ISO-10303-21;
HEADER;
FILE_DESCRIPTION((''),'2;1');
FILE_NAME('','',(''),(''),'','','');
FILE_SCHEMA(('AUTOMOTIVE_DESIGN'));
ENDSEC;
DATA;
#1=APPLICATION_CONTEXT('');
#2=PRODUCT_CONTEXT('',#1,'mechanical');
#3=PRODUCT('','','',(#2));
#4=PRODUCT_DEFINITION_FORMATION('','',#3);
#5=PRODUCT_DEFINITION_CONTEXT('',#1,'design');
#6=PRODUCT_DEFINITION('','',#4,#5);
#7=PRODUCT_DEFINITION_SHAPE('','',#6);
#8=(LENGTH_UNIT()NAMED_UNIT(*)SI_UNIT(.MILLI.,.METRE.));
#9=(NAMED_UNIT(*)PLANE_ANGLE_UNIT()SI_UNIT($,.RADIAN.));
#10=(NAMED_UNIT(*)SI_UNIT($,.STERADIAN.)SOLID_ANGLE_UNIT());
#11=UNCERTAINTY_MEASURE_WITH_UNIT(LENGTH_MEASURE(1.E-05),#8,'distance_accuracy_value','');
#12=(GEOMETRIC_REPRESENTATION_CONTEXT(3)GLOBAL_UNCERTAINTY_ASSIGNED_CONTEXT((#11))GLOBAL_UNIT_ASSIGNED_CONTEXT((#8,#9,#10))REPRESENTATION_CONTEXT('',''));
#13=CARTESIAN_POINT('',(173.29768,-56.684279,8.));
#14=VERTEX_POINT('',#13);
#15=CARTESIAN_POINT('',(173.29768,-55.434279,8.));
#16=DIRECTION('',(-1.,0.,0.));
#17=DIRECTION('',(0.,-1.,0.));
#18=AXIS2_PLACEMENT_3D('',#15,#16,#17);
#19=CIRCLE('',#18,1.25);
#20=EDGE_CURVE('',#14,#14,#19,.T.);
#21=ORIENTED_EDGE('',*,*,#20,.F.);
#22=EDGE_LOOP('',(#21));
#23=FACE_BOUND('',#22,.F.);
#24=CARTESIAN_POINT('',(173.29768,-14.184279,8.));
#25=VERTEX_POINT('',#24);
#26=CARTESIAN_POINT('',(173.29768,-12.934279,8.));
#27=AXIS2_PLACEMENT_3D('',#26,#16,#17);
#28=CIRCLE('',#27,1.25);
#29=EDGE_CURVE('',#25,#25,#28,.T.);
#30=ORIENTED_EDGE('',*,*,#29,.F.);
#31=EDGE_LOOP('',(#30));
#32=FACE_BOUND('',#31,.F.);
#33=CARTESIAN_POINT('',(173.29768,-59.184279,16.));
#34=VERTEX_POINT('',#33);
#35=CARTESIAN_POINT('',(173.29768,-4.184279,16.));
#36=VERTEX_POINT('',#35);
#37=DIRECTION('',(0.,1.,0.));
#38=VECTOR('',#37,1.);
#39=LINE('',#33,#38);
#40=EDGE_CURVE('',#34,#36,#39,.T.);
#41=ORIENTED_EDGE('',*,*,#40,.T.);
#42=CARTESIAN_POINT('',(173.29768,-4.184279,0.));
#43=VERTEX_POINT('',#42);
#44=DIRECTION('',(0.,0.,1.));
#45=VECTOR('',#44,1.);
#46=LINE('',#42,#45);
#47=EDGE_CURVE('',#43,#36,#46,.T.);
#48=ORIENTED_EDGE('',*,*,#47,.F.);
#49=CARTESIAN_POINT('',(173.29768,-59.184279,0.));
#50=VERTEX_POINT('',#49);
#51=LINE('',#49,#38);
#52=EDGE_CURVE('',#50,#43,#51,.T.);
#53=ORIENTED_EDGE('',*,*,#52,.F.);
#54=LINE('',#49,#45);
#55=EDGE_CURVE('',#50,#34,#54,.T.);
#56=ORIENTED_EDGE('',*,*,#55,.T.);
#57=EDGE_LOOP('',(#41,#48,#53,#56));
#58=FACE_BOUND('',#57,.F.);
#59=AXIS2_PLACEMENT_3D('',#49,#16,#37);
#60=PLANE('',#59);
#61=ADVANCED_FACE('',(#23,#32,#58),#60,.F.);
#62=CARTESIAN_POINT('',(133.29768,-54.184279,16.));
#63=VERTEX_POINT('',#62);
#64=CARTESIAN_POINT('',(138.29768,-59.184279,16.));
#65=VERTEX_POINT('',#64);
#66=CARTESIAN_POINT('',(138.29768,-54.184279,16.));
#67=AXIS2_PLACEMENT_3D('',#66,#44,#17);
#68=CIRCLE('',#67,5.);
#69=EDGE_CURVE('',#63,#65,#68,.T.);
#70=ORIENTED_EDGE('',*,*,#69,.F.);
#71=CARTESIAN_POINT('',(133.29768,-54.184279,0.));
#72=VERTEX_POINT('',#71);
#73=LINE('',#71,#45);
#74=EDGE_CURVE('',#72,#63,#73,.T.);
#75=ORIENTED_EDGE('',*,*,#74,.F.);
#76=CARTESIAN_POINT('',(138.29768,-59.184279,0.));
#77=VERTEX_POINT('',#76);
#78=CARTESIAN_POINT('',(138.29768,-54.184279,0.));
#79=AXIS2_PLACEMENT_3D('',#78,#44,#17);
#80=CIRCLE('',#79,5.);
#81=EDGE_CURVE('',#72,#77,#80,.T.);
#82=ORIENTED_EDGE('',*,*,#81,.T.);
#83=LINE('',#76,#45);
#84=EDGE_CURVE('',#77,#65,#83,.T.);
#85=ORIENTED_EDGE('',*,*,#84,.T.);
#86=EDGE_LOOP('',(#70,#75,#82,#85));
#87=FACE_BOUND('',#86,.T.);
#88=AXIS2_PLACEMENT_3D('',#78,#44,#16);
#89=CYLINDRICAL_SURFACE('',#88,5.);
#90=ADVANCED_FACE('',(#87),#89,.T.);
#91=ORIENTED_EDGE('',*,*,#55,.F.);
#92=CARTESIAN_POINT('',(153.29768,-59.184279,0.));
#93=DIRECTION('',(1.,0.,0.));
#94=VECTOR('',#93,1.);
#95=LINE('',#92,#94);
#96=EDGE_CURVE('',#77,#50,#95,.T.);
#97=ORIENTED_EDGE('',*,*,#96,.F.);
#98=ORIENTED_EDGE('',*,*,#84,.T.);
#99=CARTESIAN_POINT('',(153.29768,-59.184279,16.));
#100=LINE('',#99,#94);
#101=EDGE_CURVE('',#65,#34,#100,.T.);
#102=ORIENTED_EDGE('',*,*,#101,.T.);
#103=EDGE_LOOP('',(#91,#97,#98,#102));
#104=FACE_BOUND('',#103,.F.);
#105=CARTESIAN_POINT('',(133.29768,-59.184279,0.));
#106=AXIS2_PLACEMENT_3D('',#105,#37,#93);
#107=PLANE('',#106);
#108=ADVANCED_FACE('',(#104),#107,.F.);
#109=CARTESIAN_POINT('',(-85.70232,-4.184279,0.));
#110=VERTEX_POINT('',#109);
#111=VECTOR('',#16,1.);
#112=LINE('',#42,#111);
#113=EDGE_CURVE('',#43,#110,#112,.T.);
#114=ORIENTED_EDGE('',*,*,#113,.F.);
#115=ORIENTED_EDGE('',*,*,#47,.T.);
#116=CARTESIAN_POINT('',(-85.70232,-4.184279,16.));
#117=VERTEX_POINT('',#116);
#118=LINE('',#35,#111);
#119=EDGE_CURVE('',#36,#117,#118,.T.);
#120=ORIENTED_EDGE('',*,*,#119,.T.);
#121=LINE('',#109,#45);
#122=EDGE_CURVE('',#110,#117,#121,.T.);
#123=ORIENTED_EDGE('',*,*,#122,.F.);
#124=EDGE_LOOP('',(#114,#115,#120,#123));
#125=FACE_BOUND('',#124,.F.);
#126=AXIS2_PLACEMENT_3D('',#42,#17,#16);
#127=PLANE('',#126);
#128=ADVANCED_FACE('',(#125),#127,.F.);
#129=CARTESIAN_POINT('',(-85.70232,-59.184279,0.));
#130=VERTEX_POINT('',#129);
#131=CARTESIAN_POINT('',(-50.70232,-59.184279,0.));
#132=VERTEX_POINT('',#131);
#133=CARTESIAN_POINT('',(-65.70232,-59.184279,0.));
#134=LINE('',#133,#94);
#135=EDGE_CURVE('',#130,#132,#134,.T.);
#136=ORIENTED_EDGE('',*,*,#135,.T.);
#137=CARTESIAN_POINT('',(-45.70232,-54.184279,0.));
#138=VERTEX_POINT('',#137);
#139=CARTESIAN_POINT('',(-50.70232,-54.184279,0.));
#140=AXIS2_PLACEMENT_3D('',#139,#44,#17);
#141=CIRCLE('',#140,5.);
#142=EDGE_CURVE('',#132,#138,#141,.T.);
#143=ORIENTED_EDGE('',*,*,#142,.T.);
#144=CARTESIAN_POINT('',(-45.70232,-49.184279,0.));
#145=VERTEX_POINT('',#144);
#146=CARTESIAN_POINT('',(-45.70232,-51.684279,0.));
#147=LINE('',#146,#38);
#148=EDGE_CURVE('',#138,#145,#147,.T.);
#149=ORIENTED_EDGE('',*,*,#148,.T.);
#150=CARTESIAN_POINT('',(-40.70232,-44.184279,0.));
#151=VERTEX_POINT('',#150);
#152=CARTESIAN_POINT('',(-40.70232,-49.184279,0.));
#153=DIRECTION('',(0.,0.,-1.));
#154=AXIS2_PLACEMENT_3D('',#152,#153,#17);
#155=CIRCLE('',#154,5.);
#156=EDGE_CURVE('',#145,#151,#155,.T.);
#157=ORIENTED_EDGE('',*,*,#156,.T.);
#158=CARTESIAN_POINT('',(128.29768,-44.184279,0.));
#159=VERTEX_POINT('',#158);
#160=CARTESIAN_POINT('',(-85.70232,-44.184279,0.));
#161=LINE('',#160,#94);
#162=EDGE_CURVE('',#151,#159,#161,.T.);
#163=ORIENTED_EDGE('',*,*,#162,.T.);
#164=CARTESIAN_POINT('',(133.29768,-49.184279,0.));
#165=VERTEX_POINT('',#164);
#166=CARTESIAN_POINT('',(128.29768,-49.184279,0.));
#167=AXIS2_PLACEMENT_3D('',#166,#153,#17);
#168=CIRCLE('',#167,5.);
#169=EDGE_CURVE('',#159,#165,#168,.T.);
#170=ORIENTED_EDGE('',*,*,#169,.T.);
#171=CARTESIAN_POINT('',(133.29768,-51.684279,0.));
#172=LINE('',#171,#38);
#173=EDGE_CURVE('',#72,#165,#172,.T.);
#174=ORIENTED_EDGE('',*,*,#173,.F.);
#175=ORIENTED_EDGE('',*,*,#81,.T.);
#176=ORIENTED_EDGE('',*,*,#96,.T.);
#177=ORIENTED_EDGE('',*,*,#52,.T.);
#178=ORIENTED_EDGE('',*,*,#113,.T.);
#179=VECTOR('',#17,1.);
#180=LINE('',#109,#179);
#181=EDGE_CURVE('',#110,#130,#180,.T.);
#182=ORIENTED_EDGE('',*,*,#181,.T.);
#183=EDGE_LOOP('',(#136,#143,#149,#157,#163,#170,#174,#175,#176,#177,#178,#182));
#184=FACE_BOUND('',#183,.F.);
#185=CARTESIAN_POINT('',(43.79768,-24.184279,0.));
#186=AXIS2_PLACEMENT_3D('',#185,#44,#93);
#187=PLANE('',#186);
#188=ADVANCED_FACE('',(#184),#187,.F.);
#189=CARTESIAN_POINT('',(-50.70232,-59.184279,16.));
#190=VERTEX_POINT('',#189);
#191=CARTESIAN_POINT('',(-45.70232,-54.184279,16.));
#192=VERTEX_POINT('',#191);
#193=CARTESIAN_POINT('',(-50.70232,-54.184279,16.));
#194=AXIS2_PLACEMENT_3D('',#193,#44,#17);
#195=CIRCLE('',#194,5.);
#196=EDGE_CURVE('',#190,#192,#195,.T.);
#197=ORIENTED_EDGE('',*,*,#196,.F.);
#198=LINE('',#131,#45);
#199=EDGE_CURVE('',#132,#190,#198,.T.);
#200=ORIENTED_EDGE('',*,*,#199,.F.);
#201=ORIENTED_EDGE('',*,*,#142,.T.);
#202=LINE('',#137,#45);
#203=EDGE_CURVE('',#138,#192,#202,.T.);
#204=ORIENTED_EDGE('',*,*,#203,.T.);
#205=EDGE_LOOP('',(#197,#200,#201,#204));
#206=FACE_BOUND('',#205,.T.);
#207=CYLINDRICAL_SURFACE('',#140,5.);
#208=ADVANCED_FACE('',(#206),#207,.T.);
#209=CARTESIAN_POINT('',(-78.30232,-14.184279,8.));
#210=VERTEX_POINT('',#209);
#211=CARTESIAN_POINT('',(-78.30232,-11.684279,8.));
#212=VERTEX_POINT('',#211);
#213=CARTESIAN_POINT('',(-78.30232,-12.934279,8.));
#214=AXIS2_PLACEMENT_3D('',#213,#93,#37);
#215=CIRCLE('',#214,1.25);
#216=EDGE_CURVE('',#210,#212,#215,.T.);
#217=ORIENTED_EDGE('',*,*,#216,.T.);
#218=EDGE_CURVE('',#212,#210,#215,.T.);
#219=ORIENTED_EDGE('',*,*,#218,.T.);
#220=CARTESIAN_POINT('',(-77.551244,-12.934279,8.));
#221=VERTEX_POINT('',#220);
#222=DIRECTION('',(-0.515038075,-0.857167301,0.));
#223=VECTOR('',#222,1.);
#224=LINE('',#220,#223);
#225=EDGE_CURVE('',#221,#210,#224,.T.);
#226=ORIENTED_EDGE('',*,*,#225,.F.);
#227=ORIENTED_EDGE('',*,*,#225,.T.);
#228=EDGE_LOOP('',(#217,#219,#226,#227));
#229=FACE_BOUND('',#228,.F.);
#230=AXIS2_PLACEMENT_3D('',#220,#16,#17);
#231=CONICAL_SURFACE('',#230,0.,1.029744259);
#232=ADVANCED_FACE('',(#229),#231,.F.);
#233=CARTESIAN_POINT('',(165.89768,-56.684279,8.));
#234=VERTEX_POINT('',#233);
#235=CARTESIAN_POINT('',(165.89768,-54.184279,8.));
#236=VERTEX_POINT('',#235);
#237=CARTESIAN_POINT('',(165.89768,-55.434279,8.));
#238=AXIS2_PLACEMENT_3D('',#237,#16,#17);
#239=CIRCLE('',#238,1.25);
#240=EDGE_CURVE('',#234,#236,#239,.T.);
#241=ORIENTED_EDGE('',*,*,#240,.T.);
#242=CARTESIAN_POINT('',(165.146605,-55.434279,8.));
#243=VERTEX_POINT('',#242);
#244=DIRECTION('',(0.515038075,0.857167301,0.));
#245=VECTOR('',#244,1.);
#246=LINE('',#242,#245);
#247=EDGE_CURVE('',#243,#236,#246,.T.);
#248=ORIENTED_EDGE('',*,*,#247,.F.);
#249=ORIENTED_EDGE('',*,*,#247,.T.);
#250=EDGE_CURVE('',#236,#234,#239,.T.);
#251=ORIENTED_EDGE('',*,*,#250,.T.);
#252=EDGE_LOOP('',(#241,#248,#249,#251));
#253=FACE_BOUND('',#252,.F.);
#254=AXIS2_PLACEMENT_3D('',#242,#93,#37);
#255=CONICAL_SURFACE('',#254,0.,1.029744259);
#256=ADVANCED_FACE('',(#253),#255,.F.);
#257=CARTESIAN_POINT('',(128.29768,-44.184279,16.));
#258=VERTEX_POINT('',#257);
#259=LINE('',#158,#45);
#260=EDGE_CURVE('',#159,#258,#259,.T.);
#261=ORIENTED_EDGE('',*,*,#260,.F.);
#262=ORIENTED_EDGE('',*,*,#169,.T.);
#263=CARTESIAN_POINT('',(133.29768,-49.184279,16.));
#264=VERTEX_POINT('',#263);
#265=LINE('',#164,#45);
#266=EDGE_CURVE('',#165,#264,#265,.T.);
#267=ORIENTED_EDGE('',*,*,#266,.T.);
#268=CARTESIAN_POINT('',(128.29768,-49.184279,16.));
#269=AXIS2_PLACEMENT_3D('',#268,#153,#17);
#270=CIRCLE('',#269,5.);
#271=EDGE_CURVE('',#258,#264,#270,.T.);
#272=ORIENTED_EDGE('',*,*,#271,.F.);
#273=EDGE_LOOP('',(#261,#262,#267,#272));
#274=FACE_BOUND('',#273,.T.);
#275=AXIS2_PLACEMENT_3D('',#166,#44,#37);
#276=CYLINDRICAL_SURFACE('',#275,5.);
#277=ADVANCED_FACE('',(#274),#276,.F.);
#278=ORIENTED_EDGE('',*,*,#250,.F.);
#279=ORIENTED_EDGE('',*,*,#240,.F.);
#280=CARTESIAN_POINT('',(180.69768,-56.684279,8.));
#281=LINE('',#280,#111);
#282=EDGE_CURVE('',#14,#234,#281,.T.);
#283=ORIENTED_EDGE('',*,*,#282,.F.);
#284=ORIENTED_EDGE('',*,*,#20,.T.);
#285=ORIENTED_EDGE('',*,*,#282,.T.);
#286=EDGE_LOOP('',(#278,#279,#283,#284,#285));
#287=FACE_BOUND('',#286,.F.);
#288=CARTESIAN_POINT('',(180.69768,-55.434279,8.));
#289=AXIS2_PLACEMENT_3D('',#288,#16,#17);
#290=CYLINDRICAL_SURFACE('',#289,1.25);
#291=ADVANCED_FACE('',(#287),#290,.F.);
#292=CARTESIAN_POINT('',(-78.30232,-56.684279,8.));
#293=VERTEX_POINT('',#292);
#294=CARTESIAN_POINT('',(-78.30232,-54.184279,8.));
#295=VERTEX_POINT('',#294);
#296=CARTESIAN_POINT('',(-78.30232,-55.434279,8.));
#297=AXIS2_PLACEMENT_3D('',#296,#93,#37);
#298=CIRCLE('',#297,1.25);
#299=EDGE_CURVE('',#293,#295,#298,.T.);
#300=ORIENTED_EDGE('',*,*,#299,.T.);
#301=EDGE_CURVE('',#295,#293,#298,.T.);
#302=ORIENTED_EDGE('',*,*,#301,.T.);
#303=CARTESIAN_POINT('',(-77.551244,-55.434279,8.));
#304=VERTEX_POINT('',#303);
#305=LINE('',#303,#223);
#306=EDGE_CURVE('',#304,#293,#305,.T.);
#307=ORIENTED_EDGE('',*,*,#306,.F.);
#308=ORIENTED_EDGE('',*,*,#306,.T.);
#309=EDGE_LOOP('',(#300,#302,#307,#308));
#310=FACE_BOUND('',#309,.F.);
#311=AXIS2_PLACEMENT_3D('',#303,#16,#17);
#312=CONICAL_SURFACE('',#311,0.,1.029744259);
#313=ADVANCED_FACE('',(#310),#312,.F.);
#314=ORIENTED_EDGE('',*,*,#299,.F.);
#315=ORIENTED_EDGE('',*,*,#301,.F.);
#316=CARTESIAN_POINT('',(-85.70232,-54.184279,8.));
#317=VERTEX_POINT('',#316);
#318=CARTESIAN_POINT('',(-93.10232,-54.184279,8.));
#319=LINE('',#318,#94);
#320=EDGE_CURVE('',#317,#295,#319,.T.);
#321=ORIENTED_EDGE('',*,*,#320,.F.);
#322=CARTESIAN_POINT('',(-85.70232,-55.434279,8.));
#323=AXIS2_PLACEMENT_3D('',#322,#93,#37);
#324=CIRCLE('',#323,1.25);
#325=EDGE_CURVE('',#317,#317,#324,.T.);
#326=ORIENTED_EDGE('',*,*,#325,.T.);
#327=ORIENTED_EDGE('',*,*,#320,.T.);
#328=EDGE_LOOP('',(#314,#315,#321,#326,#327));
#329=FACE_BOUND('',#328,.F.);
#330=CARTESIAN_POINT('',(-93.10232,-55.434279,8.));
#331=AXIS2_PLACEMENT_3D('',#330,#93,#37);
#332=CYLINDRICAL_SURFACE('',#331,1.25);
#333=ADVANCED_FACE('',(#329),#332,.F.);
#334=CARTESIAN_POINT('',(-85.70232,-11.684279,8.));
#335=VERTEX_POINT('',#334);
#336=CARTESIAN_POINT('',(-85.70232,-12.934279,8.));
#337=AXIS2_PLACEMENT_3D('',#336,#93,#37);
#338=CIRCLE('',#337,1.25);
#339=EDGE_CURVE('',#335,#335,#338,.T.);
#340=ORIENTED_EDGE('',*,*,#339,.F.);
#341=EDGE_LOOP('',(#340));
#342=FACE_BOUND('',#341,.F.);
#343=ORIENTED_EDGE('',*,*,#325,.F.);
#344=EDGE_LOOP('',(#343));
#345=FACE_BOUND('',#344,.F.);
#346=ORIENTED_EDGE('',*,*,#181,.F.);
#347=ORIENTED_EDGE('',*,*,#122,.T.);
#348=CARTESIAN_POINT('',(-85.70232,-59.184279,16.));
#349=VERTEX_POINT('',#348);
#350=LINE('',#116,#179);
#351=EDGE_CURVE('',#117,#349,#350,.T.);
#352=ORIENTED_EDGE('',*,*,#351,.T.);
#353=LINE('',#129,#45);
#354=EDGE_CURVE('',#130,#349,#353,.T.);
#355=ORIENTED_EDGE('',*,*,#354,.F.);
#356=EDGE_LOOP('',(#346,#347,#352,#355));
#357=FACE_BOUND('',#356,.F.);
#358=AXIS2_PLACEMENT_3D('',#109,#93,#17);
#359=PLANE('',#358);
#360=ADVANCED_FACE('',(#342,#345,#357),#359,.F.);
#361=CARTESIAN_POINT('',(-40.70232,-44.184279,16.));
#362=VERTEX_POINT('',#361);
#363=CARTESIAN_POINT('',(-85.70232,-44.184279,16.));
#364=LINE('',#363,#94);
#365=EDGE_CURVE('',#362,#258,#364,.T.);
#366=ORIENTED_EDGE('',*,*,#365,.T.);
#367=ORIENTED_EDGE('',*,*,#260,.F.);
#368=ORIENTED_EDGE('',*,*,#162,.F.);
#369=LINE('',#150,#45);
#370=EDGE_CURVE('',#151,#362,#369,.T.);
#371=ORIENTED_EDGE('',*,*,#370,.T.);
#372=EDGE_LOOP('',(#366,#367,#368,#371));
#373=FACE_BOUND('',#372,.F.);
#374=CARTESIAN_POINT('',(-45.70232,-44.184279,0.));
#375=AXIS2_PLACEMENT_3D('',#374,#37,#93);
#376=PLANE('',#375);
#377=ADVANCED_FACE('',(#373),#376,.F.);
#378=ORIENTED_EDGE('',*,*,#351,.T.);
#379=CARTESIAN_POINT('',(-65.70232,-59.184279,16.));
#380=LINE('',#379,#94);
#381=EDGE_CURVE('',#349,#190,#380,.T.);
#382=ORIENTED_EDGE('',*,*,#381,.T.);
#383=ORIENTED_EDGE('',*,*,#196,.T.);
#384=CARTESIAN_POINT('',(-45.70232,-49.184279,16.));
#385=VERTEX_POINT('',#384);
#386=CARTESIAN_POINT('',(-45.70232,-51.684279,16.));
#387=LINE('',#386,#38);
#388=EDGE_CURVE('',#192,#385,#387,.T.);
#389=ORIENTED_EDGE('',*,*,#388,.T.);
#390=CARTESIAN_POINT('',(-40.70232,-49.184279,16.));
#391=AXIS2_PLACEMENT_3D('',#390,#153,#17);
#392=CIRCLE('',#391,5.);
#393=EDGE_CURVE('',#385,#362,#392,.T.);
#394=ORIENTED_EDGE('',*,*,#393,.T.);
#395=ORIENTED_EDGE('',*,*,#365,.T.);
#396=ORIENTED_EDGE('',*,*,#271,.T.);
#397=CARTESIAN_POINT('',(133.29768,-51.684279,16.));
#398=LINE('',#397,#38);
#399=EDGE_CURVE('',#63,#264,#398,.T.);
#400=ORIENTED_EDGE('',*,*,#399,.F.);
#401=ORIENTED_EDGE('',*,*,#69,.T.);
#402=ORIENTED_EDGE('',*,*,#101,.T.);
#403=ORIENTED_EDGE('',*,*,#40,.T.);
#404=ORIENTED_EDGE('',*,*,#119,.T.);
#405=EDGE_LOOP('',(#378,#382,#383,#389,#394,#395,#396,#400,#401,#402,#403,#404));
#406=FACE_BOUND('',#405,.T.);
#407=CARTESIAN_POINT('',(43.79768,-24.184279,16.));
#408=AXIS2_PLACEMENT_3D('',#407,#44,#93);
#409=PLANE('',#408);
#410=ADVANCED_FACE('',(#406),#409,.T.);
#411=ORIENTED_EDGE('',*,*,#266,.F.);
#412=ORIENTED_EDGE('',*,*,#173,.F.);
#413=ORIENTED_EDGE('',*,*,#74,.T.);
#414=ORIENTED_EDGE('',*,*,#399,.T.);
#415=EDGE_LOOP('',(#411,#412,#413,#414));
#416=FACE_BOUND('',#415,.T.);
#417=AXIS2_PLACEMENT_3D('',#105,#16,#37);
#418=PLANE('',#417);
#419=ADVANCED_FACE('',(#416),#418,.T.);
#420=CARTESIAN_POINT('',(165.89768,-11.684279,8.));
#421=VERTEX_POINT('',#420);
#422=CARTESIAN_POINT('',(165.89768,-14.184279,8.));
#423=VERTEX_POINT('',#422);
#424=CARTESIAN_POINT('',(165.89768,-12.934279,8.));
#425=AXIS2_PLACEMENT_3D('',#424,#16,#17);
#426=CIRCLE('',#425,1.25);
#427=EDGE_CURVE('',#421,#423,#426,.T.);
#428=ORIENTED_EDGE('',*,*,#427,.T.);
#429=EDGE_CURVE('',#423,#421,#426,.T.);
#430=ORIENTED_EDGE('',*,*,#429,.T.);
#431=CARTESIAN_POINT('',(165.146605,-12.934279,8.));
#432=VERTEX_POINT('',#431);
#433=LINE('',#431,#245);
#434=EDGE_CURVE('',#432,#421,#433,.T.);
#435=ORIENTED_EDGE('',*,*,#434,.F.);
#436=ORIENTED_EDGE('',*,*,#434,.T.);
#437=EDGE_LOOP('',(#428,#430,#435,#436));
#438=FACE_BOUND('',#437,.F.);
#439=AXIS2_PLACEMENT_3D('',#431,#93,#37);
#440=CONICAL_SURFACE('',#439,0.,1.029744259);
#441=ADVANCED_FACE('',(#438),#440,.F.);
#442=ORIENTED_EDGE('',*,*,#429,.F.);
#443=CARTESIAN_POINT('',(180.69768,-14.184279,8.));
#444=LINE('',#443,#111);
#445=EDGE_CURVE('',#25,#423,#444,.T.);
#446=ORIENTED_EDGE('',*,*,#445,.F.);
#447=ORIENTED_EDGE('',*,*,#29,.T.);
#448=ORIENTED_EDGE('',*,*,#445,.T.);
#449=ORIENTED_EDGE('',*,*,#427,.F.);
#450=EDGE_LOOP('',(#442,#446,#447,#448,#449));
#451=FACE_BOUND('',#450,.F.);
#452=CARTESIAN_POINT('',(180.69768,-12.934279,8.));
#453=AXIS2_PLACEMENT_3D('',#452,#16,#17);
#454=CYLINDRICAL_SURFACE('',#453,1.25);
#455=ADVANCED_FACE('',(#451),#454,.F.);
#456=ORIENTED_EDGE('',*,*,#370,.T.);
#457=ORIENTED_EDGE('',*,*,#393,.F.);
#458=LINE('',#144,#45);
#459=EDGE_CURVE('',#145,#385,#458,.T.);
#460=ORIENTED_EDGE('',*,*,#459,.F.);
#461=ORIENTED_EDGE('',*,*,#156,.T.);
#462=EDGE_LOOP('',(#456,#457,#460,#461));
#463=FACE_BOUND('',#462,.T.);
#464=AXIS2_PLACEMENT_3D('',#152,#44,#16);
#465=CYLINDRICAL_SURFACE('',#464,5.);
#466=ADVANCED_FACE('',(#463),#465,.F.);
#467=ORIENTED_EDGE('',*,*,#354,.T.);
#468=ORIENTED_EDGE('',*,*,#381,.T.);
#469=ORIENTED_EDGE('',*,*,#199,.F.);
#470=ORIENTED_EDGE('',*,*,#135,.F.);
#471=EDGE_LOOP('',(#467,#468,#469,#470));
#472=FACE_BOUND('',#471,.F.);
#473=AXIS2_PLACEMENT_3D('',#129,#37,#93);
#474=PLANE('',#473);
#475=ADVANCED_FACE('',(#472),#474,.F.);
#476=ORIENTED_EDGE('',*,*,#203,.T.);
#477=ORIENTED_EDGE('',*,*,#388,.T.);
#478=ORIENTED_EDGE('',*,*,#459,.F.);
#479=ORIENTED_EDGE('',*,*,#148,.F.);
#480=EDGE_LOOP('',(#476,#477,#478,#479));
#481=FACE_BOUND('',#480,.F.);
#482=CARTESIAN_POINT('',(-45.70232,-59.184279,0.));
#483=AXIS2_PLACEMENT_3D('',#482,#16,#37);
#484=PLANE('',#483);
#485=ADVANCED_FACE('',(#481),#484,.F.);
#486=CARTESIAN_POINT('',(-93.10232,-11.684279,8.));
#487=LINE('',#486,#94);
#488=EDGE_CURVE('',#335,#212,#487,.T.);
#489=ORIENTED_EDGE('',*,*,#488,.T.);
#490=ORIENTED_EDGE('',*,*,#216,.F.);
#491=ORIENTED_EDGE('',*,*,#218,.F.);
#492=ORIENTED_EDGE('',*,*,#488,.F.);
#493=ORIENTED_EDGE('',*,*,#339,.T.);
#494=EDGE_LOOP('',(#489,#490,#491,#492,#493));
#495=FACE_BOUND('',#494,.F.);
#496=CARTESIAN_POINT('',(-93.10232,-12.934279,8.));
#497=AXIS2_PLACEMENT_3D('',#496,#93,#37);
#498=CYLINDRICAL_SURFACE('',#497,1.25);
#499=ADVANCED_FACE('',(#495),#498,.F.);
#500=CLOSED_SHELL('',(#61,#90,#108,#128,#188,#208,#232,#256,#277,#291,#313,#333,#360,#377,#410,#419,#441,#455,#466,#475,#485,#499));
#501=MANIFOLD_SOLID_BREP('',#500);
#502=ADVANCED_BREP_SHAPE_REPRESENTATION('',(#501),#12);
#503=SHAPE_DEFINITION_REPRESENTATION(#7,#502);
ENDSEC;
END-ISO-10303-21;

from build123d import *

# Parameters (mm, degrees)
F0_W           = 40
F0_H           = 15
F1_DEPTH       = 16
F2_R           = 5
F5_D           = 2.5
F5_DEPTH       = 7.4
F5_TIP         = 0.7510757738
F5_ON_F4_D     = 2.5
F5_ON_F4_DEPTH = 7.4
F5_ON_F4_TIP   = 0.7510757738


with BuildPart() as f1:
    # F0 (on Top) → F1 (new body)
    with BuildSketch(Plane.XY):
        Polygon((173.2976804376, -4.1842792928), (-85.7023195624, -4.1842792928), (-85.7023195624, -44.1842792928), (-45.7023195624, -44.1842792928), (133.2976804376, -44.1842792928), (173.2976804376, -44.1842792928), align=None)
        with Locations((-65.7023195624, -51.6842792928)):
            Rectangle(F0_W, F0_H)
        with Locations((153.2976804376, -51.6842792928)):
            Rectangle(F0_W, F0_H)
    extrude(amount=F1_DEPTH)

    # F2
    f2_edges = [f1.edges().sort_by_distance(p)[0] for p in [
        (-45.70232, -59.184279, 8),
        (133.29768, -59.184279, 8),
        (133.29768, -44.184279, 8),
        (-45.70232, -44.184279, 8),
    ]]
    fillet(f2_edges, radius=F2_R)

    # F5
    with Locations(Plane(origin=(-85.7023195624, 0, 0), x_dir=(0, -1, 0), z_dir=(-1, 0, 0))):
        with Locations((12.9342792928, 8), (55.4342792928, 8)):
            Hole(F5_D / 2, depth=F5_DEPTH)
            with Locations((0, 0, -(F5_DEPTH + F5_TIP / 2))):  # 118° drill point
                Cone(0, F5_D / 2, F5_TIP, mode=Mode.SUBTRACT)

    # F5 on F4
    with Locations(Plane.YZ.offset(173.2976804376)):
        with Locations((-12.9342792928, 8), (-55.4342792928, 8)):
            Hole(F5_ON_F4_D / 2, depth=F5_ON_F4_DEPTH)
            with Locations((0, 0, -(F5_ON_F4_DEPTH + F5_ON_F4_TIP / 2))):  # 118° drill point
                Cone(0, F5_ON_F4_D / 2, F5_ON_F4_TIP, mode=Mode.SUBTRACT)


solid = f1.part
